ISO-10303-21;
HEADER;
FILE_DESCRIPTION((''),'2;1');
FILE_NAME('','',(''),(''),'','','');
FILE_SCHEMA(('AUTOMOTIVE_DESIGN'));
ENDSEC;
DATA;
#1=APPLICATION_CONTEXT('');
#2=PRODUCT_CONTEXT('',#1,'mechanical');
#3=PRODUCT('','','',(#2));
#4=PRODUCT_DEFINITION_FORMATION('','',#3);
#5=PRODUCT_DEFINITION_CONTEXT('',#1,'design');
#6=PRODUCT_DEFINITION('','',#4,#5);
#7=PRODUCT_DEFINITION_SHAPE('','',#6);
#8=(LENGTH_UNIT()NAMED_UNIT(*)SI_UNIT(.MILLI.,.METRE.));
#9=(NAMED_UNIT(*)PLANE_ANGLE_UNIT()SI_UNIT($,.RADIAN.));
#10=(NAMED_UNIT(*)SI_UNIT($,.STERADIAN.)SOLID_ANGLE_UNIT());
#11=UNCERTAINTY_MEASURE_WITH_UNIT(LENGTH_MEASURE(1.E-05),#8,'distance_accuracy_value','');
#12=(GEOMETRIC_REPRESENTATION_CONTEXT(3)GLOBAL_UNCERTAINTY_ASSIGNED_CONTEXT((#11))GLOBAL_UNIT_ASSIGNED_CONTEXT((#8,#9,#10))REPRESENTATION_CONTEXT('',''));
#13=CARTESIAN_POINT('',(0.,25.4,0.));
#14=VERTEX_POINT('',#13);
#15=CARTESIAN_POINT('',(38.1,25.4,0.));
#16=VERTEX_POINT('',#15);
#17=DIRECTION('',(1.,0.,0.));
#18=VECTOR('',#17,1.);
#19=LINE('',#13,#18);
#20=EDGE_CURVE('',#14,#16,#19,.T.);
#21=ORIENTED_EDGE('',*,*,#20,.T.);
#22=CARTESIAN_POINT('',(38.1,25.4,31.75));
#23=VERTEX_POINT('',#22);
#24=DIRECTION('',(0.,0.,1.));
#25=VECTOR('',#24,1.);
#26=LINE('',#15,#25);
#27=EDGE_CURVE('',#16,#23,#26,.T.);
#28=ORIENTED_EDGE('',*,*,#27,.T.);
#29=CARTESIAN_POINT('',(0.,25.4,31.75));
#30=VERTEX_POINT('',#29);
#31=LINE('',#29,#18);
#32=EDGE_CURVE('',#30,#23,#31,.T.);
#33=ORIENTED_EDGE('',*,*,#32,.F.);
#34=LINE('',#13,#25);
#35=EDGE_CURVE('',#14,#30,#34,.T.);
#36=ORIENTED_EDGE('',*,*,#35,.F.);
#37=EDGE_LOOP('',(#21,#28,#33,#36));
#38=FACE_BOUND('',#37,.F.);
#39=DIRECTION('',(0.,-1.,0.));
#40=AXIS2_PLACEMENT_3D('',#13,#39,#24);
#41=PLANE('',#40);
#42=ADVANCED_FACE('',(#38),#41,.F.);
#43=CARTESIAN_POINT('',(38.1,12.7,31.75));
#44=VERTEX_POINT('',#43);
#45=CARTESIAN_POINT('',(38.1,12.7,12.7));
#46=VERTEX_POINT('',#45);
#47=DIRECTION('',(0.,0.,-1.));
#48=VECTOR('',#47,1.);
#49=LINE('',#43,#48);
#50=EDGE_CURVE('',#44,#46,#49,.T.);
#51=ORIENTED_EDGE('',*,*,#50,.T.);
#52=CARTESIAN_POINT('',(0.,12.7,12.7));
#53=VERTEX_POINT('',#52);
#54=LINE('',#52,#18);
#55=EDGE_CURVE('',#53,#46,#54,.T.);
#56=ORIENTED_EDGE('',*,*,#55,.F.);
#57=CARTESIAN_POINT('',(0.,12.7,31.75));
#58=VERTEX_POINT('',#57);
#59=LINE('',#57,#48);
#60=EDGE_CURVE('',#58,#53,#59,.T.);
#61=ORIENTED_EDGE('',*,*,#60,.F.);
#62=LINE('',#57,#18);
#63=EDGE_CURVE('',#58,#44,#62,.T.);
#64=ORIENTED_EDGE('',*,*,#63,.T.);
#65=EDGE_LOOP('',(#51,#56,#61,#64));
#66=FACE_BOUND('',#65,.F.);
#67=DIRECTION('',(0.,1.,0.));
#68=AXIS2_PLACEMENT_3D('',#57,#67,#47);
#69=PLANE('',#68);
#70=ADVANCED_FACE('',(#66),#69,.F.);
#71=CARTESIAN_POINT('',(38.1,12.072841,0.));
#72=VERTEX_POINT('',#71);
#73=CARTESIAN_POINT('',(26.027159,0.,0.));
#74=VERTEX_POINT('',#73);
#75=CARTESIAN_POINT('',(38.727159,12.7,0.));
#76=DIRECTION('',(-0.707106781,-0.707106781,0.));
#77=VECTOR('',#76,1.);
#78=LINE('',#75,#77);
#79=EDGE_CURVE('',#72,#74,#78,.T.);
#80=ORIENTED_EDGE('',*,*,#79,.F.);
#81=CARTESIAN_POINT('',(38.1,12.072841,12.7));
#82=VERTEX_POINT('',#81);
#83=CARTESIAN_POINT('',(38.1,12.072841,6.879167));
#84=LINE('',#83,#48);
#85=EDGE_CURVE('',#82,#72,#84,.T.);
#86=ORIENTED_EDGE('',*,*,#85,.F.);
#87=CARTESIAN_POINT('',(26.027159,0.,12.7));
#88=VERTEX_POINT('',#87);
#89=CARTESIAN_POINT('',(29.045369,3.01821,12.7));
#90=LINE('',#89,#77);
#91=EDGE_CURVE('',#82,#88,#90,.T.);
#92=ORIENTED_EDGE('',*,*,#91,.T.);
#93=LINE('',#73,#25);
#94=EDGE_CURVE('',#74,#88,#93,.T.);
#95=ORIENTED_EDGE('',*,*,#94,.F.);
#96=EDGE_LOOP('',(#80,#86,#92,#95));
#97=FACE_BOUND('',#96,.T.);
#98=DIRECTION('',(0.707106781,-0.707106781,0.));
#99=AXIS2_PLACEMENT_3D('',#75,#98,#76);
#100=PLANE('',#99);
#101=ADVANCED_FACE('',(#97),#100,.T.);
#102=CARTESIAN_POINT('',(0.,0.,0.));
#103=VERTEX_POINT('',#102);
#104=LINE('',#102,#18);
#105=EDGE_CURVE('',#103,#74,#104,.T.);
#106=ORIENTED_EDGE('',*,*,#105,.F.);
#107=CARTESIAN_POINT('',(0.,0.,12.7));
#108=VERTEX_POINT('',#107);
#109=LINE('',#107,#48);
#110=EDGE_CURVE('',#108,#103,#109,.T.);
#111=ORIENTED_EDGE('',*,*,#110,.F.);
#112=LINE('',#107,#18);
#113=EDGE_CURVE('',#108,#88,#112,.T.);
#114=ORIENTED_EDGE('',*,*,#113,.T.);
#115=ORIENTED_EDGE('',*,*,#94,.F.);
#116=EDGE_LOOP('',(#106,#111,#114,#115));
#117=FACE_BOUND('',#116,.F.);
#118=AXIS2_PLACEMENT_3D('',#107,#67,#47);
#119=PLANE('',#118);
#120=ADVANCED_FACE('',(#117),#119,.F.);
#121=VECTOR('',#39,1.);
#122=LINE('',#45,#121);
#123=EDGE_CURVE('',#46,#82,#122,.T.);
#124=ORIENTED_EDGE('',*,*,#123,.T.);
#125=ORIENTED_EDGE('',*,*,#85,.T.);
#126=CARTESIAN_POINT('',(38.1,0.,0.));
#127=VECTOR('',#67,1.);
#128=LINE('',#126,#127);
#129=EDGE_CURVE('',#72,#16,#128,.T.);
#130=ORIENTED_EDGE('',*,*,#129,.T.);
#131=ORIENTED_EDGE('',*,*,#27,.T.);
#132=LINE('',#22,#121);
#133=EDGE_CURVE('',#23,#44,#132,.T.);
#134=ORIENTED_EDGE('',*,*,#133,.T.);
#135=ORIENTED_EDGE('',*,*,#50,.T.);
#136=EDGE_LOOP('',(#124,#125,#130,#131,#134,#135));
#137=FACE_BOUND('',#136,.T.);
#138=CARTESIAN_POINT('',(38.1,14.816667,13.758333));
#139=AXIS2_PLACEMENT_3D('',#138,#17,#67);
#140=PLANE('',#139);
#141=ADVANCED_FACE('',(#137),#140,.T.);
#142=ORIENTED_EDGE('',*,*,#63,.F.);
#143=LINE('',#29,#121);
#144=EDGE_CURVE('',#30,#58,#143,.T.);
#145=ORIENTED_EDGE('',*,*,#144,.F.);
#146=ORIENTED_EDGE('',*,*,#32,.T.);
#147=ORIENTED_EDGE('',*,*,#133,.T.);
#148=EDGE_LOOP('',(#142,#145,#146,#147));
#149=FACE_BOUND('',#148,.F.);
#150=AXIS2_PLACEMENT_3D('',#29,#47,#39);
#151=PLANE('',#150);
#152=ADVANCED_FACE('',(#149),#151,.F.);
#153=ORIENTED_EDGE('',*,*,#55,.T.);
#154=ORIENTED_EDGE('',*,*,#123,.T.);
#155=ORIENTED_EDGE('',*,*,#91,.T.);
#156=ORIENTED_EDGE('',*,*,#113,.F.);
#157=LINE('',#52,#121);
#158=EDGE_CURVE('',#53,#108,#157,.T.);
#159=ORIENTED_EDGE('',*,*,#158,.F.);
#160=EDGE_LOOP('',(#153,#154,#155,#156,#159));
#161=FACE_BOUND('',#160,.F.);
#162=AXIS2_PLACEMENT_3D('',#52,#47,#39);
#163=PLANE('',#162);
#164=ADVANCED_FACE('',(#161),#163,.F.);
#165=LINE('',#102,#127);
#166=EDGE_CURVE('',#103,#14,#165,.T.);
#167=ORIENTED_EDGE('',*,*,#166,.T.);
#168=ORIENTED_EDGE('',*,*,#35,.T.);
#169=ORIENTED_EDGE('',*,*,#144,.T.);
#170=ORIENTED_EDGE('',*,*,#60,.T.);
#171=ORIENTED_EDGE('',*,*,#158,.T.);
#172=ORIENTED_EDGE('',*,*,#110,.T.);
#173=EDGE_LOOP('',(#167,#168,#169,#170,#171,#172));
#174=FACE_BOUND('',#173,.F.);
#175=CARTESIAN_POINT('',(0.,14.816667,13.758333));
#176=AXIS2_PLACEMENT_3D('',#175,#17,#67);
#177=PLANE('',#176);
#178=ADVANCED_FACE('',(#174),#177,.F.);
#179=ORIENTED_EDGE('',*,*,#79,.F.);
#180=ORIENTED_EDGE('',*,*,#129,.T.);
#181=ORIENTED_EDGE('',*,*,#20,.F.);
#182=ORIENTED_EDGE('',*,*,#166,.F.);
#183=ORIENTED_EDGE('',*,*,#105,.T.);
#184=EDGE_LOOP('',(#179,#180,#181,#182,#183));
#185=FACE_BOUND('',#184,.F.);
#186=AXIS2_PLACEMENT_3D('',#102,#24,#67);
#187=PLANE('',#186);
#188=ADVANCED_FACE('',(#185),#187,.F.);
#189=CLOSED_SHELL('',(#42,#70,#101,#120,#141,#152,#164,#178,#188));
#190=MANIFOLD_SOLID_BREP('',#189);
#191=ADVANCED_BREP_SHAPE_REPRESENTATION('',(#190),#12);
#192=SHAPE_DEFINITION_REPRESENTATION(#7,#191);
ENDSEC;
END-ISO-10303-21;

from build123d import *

# Parameters (mm, degrees)
F1_DEPTH = 38.1
F3_DEPTH = 25.4


with BuildPart() as f1:
    # F0 (on Right) → F1 (new body)
    with BuildSketch(Plane.YZ):
        Polygon((0, 12.7), (0, 0), (25.4, 0), (25.4, 31.75), (12.7, 31.75), (12.7, 12.7), align=None)
    extrude(amount=F1_DEPTH)

    # F2 (on Top) → F3 (cut)
    with BuildSketch(Plane.XY):
        Polygon((26.027159, 0), (38.727159, 0), (38.727159, 12.7), align=None)
    extrude(amount=F3_DEPTH, mode=Mode.SUBTRACT)


solid = f1.part
